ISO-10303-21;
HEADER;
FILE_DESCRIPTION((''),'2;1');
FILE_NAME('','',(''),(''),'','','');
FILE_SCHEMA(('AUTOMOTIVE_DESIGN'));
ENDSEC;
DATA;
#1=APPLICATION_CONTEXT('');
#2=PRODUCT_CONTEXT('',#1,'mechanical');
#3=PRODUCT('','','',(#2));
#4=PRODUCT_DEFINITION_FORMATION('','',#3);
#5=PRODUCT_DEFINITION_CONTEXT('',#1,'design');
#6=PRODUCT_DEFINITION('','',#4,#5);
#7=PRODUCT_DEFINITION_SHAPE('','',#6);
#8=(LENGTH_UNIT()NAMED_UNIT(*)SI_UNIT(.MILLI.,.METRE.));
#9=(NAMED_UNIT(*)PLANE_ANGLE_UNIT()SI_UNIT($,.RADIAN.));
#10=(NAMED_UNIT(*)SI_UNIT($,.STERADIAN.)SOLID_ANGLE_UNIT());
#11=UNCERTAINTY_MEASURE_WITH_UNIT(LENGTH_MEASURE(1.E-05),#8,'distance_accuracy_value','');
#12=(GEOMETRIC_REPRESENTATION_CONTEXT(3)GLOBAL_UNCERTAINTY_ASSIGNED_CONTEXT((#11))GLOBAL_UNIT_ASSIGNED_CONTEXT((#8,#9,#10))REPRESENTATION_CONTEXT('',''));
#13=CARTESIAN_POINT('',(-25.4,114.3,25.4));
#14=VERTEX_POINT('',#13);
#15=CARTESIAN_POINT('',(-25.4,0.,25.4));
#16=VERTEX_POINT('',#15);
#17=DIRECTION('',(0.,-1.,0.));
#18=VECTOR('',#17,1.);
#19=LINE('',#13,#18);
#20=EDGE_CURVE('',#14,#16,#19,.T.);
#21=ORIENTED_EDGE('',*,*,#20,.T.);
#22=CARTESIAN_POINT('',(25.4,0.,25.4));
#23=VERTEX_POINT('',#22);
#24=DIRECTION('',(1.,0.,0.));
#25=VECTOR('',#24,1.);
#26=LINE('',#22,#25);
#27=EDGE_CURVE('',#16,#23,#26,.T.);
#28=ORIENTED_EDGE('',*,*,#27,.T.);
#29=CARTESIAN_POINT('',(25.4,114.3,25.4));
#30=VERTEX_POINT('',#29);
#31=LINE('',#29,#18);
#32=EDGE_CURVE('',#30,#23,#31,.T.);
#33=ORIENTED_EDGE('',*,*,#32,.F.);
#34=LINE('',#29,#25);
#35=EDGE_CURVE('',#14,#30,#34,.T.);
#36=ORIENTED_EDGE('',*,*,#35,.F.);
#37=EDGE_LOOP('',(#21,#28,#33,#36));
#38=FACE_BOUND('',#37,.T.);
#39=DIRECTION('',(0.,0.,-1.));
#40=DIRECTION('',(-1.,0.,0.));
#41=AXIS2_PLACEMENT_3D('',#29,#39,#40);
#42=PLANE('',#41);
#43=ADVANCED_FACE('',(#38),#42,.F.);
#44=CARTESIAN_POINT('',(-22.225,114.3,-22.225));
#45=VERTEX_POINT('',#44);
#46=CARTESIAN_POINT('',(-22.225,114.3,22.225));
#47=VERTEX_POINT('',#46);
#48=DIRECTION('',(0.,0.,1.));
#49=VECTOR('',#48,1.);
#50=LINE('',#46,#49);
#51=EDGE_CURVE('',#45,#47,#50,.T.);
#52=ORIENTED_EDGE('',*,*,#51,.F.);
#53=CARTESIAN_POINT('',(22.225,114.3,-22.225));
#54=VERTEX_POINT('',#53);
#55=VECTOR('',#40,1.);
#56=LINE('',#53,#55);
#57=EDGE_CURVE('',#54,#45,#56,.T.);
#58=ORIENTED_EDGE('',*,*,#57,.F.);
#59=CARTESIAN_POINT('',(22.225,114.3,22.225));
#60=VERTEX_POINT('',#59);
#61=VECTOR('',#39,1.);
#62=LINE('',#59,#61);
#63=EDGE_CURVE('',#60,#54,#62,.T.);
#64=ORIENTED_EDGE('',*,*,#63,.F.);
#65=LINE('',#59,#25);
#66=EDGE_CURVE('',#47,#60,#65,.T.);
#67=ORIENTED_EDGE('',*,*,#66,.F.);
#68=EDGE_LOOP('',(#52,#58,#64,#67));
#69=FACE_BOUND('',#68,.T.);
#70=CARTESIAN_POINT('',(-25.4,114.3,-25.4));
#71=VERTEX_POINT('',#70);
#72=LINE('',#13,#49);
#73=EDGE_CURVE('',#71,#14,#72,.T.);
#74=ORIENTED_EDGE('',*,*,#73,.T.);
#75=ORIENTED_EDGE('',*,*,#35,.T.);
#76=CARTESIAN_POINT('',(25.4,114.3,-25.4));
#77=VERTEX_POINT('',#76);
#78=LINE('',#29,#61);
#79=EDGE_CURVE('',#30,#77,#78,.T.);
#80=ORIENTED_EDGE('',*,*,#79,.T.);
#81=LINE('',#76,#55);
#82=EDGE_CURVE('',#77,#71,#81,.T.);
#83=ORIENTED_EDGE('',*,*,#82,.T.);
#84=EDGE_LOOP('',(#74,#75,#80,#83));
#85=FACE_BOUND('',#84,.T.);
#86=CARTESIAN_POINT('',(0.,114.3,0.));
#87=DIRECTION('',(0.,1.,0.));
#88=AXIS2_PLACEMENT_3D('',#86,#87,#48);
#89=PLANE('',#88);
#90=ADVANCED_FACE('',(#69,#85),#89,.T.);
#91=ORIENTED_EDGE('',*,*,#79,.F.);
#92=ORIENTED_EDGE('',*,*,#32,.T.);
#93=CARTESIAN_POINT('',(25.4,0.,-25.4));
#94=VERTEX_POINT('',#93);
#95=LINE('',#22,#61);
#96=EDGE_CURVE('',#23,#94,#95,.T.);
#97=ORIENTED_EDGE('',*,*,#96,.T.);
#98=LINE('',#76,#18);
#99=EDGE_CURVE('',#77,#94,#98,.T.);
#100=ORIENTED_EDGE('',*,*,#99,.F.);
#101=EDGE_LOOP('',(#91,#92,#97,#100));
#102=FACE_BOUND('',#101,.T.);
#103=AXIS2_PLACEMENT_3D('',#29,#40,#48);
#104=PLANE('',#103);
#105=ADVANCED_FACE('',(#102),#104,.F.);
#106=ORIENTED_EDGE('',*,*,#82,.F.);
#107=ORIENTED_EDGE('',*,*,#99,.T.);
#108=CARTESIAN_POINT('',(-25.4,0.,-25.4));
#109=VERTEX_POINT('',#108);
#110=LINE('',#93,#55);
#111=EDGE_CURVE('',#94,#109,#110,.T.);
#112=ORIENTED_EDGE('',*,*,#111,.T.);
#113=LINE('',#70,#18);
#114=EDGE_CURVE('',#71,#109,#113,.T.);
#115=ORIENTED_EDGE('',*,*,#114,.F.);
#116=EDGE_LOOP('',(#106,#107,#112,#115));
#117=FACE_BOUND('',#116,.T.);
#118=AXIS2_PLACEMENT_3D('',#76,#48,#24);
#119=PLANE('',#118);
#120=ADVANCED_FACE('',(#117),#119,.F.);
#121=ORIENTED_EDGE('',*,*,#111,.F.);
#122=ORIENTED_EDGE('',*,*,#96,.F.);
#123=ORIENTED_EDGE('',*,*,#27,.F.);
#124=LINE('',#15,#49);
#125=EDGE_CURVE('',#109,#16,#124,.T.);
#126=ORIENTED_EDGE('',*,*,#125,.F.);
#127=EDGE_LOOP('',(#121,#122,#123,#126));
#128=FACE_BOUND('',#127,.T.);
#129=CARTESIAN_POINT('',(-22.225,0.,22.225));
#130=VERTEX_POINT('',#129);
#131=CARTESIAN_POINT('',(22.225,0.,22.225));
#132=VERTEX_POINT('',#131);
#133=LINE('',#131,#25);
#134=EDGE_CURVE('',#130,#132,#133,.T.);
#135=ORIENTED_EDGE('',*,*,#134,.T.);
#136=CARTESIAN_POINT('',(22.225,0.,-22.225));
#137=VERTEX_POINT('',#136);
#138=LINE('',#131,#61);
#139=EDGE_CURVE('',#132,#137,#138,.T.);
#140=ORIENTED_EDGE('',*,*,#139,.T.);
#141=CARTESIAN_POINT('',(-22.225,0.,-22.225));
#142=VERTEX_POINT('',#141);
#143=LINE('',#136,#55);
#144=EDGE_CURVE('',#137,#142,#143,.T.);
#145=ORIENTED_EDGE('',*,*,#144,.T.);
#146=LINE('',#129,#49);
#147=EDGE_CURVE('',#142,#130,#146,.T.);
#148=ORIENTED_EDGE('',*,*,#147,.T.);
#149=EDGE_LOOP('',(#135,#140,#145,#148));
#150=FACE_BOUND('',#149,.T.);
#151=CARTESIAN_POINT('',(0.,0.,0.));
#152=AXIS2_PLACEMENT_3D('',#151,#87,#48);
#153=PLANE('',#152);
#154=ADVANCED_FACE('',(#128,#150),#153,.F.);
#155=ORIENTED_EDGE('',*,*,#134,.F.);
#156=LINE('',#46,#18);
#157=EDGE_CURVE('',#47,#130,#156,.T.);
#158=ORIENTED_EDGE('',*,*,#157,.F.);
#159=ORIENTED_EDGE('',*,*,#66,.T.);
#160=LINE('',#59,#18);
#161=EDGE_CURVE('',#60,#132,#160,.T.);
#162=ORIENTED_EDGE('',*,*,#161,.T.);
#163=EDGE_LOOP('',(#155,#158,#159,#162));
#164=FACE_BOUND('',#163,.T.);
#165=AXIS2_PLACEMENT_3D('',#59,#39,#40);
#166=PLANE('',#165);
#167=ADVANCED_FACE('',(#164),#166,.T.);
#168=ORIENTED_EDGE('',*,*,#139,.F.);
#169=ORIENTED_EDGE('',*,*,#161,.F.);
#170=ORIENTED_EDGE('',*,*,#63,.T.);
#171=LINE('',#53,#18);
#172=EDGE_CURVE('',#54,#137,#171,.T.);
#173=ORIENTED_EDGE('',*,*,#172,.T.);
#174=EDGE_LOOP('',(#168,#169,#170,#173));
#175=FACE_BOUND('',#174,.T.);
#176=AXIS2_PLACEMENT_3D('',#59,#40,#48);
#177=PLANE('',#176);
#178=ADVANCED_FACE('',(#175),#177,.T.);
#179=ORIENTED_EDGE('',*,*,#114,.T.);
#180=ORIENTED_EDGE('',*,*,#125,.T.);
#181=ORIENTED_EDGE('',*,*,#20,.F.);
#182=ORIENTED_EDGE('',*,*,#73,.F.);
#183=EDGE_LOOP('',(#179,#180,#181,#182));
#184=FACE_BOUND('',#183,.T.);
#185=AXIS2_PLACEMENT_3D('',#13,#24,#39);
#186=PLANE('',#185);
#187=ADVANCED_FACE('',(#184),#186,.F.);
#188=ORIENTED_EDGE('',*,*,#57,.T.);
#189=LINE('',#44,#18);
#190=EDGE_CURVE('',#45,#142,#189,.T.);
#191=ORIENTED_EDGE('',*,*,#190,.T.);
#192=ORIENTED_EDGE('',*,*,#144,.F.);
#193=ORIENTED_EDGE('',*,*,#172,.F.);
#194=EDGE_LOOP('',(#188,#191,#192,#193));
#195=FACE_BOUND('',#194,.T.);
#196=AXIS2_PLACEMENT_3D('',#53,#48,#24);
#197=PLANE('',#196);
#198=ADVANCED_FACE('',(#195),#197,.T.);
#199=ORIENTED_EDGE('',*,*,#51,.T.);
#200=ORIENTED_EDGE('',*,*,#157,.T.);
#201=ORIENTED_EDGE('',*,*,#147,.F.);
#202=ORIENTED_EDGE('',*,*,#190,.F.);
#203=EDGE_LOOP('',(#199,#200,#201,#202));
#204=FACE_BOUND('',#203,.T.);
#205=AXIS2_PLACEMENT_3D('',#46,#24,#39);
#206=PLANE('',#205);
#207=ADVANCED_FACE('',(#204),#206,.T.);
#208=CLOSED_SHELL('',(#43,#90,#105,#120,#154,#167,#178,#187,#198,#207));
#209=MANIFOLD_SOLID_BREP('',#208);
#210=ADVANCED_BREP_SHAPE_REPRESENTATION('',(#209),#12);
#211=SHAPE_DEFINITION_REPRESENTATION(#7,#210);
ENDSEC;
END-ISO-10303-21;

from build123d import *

# Parameters (mm, degrees)
SKETCH1_W           = 50.8
SKETCH1_H           = 50.8
SKETCH1_W_2         = 44.45
SKETCH1_H_2         = 44.45
BOSS_EXTRUDE1_DEPTH = 114.3


with BuildPart() as part:
    # Sketch1 → Boss-Extrude1 (new body)
    with BuildSketch(Plane(origin=(0, 0, 0), x_dir=(1, 0, 0), z_dir=(0, 1, 0))):
        Rectangle(SKETCH1_W, SKETCH1_H)
        Rectangle(SKETCH1_W_2, SKETCH1_H_2, mode=Mode.SUBTRACT)
    extrude(amount=BOSS_EXTRUDE1_DEPTH)


solid = part.part
